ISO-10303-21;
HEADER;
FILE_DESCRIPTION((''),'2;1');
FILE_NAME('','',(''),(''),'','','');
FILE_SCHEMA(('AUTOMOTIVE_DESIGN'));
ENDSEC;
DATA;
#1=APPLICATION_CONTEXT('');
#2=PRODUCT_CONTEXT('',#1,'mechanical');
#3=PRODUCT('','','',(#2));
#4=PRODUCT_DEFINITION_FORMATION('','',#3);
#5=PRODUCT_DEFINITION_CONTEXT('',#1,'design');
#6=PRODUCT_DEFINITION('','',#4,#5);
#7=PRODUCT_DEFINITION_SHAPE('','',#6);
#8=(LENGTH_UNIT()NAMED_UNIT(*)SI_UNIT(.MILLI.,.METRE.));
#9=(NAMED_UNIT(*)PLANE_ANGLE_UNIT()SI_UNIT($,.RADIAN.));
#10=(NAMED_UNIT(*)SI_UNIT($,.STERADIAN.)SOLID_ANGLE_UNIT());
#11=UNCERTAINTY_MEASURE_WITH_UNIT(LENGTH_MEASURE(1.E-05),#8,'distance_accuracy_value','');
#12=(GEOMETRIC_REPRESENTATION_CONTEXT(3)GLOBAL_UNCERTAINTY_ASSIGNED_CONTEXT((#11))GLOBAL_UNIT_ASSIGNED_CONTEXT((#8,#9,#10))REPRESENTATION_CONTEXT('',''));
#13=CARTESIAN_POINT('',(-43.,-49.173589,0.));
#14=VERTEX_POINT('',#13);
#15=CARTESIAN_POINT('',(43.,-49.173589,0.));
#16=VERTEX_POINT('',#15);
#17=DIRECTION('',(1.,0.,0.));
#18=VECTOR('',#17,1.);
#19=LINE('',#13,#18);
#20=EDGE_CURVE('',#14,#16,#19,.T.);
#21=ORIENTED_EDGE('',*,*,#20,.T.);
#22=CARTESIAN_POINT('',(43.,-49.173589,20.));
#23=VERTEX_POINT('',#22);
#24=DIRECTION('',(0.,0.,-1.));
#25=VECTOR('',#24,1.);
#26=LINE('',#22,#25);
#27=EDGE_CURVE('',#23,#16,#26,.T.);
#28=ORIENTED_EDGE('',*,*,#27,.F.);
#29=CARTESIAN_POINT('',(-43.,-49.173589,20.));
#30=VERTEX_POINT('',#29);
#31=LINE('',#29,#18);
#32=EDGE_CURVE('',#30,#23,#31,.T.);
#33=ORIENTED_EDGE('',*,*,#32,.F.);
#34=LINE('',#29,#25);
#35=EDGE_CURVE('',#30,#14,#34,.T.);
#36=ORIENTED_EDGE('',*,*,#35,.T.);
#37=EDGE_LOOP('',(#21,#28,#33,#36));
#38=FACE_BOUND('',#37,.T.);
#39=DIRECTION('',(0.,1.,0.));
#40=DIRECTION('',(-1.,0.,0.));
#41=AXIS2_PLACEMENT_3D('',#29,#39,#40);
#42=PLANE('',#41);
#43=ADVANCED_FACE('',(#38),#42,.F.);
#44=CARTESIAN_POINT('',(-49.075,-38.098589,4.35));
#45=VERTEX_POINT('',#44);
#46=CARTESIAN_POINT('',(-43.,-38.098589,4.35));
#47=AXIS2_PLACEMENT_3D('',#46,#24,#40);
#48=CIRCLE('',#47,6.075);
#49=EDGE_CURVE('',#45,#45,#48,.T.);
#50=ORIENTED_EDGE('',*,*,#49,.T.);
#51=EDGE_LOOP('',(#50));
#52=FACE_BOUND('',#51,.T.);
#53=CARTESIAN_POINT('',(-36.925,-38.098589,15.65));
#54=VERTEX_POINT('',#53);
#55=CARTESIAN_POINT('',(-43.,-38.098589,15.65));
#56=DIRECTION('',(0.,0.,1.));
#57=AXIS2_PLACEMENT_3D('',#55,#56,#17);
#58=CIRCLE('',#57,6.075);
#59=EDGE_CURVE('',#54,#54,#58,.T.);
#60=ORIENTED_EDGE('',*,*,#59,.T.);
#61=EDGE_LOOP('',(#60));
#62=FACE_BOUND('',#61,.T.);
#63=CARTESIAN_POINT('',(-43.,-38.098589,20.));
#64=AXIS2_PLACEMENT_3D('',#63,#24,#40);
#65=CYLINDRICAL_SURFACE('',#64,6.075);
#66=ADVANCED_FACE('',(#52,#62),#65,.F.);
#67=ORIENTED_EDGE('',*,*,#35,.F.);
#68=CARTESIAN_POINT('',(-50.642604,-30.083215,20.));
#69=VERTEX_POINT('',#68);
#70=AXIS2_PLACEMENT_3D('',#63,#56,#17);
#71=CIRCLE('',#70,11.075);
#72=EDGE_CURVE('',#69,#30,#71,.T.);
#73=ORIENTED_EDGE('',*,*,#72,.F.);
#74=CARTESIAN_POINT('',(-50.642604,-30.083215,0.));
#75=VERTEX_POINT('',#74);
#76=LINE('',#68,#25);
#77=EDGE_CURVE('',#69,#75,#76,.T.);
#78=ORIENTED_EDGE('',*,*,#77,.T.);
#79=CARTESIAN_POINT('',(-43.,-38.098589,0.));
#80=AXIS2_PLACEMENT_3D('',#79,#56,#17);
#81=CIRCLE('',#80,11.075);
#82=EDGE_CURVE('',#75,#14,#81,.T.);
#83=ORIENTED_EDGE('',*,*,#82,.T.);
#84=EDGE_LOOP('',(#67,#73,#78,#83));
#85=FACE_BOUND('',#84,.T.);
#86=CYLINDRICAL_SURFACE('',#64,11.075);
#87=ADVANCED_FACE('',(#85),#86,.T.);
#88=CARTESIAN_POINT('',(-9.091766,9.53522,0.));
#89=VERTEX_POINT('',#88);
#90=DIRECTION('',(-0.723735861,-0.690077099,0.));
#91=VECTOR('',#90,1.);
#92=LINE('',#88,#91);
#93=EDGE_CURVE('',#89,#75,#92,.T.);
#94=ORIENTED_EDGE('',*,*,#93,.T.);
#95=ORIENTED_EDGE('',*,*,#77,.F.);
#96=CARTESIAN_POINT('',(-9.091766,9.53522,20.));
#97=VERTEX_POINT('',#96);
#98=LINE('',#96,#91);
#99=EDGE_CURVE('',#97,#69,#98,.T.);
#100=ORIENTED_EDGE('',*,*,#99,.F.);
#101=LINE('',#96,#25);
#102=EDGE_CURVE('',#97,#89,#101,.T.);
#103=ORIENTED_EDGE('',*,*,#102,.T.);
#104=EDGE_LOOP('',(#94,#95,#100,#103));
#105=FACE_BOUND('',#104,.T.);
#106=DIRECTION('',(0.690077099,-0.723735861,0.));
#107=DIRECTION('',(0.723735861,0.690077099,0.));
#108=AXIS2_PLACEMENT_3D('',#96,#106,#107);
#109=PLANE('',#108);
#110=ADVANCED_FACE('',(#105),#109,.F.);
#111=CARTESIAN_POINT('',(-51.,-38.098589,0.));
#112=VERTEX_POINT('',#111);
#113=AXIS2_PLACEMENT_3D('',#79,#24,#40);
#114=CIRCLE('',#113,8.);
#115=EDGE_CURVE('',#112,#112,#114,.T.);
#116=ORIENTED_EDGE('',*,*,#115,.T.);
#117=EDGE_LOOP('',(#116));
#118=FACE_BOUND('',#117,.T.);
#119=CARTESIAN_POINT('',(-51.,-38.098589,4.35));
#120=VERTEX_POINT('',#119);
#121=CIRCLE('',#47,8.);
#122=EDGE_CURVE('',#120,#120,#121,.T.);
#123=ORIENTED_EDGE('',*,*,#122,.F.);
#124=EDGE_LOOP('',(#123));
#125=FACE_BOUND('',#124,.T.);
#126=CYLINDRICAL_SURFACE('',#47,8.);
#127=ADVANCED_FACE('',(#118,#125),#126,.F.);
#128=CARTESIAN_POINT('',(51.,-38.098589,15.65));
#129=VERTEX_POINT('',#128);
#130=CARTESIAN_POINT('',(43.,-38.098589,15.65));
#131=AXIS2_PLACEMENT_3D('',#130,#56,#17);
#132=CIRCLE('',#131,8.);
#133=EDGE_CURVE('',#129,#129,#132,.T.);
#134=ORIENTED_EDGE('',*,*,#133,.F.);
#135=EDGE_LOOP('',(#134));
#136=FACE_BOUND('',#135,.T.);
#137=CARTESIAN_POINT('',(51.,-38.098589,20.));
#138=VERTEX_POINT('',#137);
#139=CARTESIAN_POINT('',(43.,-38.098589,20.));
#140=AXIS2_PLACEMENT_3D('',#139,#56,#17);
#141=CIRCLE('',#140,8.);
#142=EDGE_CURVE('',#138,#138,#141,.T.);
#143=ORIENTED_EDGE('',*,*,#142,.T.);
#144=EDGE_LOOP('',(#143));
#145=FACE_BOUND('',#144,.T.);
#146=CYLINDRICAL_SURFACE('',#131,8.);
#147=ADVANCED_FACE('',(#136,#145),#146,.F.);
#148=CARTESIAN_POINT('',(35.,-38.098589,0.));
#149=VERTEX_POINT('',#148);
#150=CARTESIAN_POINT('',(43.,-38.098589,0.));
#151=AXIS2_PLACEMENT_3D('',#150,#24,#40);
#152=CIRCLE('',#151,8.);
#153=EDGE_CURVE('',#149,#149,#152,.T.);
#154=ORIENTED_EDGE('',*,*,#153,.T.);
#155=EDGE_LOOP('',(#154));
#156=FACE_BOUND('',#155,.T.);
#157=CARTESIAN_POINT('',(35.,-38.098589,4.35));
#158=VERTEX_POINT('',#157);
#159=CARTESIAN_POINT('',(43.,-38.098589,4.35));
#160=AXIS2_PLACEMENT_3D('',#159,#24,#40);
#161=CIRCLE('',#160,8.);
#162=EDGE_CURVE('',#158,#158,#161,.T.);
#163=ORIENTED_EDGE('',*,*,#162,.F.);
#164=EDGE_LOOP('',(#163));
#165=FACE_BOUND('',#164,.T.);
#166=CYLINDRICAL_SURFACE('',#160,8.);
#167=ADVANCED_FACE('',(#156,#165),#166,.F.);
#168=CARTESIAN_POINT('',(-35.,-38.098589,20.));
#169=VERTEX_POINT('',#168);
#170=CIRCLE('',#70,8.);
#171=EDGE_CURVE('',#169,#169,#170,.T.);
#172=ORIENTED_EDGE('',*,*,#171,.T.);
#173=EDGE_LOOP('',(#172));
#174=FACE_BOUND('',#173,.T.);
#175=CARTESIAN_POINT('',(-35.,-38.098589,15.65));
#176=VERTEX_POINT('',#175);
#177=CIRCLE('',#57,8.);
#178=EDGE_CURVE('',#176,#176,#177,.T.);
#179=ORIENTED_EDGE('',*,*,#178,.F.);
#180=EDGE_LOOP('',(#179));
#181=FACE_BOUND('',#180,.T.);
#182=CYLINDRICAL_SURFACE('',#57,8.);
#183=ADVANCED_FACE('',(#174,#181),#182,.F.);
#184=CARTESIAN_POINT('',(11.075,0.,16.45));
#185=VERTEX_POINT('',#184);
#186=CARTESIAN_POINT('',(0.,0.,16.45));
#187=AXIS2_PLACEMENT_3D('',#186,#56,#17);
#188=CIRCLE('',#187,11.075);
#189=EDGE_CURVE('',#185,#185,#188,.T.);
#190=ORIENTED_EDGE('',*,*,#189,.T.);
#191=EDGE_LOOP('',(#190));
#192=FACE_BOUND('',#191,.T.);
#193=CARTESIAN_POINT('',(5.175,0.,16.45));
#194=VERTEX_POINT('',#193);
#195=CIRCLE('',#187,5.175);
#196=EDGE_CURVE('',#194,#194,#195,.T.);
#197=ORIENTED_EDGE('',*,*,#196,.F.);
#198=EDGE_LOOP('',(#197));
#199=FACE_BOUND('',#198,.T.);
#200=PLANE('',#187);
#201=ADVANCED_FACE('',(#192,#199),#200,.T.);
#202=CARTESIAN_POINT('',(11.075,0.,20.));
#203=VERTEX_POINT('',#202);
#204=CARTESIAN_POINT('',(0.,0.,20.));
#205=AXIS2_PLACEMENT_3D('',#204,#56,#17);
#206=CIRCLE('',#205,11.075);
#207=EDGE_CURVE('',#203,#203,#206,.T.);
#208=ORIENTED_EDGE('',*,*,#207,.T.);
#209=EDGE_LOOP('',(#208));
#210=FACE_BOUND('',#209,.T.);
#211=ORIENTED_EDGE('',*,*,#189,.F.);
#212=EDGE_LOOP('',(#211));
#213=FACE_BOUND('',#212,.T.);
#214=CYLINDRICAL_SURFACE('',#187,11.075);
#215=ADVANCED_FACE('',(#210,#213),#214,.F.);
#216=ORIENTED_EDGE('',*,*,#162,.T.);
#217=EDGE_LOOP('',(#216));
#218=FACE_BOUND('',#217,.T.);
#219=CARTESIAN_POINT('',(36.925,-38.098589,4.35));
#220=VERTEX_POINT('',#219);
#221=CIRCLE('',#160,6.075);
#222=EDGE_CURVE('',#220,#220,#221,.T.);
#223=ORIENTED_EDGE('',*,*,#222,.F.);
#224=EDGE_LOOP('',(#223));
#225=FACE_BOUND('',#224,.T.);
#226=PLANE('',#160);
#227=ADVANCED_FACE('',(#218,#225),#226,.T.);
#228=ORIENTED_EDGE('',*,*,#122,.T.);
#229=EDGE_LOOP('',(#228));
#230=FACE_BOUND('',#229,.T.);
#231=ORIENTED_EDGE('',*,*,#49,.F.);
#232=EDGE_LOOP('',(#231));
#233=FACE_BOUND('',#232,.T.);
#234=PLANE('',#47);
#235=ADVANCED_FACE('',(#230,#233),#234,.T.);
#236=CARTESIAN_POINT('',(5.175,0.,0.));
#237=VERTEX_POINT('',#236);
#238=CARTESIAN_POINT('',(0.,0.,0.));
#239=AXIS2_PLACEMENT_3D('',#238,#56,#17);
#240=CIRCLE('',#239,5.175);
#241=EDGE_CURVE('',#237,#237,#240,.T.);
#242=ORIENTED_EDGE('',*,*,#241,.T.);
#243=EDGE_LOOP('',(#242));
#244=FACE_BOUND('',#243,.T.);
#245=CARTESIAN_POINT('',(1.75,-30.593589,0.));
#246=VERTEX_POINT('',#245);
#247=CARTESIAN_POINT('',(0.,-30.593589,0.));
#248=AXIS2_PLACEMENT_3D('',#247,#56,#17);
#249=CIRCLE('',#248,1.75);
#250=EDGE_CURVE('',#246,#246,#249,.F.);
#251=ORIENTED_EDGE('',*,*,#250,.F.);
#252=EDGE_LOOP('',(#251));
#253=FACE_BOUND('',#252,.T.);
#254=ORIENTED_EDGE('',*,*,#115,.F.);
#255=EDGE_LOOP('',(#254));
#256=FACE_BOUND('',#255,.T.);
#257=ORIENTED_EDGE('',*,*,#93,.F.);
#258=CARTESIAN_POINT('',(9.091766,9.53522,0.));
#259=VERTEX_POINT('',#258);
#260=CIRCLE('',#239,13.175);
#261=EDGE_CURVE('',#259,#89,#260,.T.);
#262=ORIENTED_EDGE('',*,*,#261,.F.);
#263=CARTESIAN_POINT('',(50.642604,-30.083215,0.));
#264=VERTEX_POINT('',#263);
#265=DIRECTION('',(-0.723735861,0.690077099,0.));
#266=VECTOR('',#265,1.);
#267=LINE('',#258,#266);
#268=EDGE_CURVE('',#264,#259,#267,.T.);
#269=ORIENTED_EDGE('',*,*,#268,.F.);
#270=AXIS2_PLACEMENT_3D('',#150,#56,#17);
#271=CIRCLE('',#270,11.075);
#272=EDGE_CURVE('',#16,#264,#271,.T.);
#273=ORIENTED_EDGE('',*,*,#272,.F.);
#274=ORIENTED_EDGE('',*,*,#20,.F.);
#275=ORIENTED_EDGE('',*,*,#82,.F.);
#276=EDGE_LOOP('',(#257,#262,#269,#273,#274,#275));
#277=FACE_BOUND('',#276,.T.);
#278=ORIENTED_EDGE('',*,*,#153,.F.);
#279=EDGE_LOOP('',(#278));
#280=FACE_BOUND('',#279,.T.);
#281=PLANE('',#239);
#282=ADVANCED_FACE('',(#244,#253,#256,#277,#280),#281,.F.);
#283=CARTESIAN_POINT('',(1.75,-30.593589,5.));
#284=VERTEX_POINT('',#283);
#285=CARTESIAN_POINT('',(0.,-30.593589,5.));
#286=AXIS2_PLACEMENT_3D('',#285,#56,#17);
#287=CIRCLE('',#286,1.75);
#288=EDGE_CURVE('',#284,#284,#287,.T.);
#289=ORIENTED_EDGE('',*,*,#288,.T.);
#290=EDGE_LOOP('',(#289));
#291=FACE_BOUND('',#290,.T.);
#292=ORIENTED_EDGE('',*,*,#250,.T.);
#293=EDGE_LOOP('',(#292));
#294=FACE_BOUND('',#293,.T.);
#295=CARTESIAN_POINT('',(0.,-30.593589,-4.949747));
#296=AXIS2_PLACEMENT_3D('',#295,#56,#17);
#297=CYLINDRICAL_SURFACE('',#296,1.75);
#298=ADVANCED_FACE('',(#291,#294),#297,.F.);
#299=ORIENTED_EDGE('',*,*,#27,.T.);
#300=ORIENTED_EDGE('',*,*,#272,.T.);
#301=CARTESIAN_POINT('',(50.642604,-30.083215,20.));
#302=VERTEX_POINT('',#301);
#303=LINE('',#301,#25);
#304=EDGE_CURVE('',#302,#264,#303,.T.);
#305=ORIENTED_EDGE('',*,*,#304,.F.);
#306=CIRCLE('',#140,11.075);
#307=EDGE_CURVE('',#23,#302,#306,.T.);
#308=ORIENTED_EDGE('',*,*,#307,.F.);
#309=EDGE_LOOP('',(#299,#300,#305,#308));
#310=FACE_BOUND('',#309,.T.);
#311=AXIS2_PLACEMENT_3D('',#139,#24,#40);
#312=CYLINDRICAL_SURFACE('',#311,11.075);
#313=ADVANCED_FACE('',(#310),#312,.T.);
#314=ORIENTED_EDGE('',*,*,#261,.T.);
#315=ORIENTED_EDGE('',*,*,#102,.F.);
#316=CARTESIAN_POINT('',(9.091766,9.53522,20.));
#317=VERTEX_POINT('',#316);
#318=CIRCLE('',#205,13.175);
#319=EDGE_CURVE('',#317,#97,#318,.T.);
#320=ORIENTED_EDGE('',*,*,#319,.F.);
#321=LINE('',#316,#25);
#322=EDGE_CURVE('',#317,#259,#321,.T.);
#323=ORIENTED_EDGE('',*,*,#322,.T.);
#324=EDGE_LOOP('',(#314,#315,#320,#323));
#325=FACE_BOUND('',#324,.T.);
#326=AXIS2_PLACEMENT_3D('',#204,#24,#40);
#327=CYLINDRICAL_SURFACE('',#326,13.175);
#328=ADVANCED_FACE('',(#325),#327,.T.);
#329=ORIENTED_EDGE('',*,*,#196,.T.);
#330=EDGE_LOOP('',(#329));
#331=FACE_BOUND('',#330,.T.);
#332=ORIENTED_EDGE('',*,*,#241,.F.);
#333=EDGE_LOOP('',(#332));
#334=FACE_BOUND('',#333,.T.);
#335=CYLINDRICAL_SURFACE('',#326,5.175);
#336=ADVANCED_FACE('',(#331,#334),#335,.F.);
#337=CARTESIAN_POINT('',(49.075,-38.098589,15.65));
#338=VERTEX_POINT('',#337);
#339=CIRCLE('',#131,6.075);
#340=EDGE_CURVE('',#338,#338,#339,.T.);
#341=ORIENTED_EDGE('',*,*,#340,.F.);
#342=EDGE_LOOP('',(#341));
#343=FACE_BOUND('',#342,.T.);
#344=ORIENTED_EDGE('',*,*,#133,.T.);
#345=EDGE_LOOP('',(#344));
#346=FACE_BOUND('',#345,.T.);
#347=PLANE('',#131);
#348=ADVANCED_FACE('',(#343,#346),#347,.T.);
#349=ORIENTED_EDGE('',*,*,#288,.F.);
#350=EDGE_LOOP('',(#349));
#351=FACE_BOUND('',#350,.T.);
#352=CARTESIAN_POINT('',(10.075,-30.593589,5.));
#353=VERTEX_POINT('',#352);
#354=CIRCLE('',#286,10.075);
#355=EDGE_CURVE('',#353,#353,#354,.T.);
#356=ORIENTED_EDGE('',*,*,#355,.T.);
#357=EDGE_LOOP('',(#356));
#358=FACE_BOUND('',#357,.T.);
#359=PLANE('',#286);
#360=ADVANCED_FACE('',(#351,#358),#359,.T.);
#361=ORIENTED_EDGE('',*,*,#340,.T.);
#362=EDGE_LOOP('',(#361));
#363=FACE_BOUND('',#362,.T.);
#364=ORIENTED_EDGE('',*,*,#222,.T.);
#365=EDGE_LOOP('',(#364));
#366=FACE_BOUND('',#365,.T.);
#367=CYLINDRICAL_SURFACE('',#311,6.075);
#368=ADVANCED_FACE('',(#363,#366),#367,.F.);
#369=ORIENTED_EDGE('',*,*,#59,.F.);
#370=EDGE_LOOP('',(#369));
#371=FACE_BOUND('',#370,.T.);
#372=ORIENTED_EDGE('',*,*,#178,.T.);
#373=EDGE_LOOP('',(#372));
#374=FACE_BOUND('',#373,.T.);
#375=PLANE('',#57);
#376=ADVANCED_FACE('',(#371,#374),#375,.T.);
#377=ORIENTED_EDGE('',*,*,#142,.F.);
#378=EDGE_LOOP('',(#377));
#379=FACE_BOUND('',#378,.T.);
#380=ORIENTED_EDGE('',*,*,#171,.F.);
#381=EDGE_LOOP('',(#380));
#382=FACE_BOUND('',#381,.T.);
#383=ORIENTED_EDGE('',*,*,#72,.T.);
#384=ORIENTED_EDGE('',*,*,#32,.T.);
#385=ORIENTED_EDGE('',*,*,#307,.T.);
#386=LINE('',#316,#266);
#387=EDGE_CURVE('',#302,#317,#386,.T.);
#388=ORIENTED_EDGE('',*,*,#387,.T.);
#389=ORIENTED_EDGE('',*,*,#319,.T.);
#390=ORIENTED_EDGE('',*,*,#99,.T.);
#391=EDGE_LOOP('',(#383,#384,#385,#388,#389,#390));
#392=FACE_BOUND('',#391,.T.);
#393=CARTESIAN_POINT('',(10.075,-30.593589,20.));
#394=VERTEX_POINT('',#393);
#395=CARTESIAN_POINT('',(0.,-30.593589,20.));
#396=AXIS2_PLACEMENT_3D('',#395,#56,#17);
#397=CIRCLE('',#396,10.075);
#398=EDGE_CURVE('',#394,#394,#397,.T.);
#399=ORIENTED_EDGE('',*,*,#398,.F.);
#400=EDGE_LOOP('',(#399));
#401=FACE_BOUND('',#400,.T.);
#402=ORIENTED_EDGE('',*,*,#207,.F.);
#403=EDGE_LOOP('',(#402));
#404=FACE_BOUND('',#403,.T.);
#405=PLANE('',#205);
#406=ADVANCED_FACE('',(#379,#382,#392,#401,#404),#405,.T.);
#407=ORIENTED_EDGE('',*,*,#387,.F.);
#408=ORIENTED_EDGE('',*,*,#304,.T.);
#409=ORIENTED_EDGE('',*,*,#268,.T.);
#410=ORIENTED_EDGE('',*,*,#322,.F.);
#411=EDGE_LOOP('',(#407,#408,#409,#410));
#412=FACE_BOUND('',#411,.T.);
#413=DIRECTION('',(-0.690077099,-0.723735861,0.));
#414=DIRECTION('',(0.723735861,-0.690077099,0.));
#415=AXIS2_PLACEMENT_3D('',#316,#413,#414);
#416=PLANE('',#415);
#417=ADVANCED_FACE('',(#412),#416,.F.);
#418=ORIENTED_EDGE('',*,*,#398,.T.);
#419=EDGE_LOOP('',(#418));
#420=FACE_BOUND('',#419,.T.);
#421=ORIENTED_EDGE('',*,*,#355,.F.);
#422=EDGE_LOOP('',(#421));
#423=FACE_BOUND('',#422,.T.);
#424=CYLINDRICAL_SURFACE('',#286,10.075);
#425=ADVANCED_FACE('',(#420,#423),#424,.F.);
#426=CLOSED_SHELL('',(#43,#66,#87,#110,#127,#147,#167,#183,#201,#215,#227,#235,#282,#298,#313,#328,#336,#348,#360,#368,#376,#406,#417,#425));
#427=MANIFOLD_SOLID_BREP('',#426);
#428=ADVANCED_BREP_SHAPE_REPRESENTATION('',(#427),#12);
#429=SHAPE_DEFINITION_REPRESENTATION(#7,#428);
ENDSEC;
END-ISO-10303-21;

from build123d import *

# Parameters (mm, degrees)
SKETCH1_R           = 5.175
SKETCH1_R_2         = 6.075
BOSS_EXTRUDE1_DEPTH = 20
SKETCH2_R           = 11.075
CUT_EXTRUDE1_DEPTH  = 3.55
SKETCH3_R           = 8
CUT_EXTRUDE2_DEPTH  = 4.35
CUT_EXTRUDE3_START  = -4.35
SKETCH4_R           = 8
CUT_EXTRUDE3_DEPTH  = 4.35
SKETCH5_R           = 10.075
CUT_EXTRUDE4_DEPTH  = 15
SKETCH6_R           = 1.75
CUT_EXTRUDE5_DEPTH  = 5


with BuildPart() as part:
    # Sketch1 → Boss-Extrude1 (new body)
    with BuildSketch(Plane.XY):
        with BuildLine():
            Line((9.091765785, 9.535219972), (50.642603876, -30.08321455))
            ThreePointArc((50.642603876, -30.08321455), (53.281680295, -42.214737327), (43, -49.173589213))
            Line((43, -49.173589213), (-43, -49.173589213))
            ThreePointArc((-43, -49.173589213), (-53.281680295, -42.214737327), (-50.642603876, -30.08321455))
            Line((-50.642603876, -30.08321455), (-9.091765785, 9.535219972))
            ThreePointArc((-9.091765785, 9.535219972), (0, 13.175), (9.091765785, 9.535219972))
        make_face()
        Circle(SKETCH1_R, mode=Mode.SUBTRACT)
        with Locations((43, -38.098589213)):
            Circle(SKETCH1_R_2, mode=Mode.SUBTRACT)
        with Locations((-43, -38.098589213)):
            Circle(SKETCH1_R_2, mode=Mode.SUBTRACT)
    extrude(amount=BOSS_EXTRUDE1_DEPTH)

    # Sketch2 → Cut-Extrude1 (cut)
    with BuildSketch(Plane.XY.offset(20)):
        Circle(SKETCH2_R)
    extrude(amount=-CUT_EXTRUDE1_DEPTH, mode=Mode.SUBTRACT)

    # Sketch3 → Cut-Extrude2 (cut)
    with BuildSketch(Plane(origin=(0, 0, 0), x_dir=(-1, 0, 0), z_dir=(0, 0, -1))):
        with Locations((43, -38.098589213)):
            Circle(SKETCH3_R)
        with Locations((-43, -38.098589213)):
            Circle(SKETCH3_R)
    extrude(amount=-CUT_EXTRUDE2_DEPTH, mode=Mode.SUBTRACT)

    # Sketch4 → Cut-Extrude3 (cut)
    with BuildSketch(Plane.XY.offset(20).offset(CUT_EXTRUDE3_START)):
        with Locations(Location((-43, -38.098589213, 0), (0, 0, 180))):
            Circle(SKETCH4_R)
        with Locations(Location((43, -38.098589213, 0), (0, 0, 180))):
            Circle(SKETCH4_R)
    extrude(amount=CUT_EXTRUDE3_DEPTH, mode=Mode.SUBTRACT)

    # Sketch5 → Cut-Extrude4 (cut)
    with BuildSketch(Plane.XY.offset(20)):
        with Locations((0, -30.593589213)):
            Circle(SKETCH5_R)
    extrude(amount=-CUT_EXTRUDE4_DEPTH, mode=Mode.SUBTRACT)

    # Sketch6 → Cut-Extrude5 (cut)
    with BuildSketch(Plane.XY.offset(5)):
        with Locations((0, -30.593589213)):
            Circle(SKETCH6_R)
    extrude(amount=-CUT_EXTRUDE5_DEPTH, mode=Mode.SUBTRACT)


solid = part.part
